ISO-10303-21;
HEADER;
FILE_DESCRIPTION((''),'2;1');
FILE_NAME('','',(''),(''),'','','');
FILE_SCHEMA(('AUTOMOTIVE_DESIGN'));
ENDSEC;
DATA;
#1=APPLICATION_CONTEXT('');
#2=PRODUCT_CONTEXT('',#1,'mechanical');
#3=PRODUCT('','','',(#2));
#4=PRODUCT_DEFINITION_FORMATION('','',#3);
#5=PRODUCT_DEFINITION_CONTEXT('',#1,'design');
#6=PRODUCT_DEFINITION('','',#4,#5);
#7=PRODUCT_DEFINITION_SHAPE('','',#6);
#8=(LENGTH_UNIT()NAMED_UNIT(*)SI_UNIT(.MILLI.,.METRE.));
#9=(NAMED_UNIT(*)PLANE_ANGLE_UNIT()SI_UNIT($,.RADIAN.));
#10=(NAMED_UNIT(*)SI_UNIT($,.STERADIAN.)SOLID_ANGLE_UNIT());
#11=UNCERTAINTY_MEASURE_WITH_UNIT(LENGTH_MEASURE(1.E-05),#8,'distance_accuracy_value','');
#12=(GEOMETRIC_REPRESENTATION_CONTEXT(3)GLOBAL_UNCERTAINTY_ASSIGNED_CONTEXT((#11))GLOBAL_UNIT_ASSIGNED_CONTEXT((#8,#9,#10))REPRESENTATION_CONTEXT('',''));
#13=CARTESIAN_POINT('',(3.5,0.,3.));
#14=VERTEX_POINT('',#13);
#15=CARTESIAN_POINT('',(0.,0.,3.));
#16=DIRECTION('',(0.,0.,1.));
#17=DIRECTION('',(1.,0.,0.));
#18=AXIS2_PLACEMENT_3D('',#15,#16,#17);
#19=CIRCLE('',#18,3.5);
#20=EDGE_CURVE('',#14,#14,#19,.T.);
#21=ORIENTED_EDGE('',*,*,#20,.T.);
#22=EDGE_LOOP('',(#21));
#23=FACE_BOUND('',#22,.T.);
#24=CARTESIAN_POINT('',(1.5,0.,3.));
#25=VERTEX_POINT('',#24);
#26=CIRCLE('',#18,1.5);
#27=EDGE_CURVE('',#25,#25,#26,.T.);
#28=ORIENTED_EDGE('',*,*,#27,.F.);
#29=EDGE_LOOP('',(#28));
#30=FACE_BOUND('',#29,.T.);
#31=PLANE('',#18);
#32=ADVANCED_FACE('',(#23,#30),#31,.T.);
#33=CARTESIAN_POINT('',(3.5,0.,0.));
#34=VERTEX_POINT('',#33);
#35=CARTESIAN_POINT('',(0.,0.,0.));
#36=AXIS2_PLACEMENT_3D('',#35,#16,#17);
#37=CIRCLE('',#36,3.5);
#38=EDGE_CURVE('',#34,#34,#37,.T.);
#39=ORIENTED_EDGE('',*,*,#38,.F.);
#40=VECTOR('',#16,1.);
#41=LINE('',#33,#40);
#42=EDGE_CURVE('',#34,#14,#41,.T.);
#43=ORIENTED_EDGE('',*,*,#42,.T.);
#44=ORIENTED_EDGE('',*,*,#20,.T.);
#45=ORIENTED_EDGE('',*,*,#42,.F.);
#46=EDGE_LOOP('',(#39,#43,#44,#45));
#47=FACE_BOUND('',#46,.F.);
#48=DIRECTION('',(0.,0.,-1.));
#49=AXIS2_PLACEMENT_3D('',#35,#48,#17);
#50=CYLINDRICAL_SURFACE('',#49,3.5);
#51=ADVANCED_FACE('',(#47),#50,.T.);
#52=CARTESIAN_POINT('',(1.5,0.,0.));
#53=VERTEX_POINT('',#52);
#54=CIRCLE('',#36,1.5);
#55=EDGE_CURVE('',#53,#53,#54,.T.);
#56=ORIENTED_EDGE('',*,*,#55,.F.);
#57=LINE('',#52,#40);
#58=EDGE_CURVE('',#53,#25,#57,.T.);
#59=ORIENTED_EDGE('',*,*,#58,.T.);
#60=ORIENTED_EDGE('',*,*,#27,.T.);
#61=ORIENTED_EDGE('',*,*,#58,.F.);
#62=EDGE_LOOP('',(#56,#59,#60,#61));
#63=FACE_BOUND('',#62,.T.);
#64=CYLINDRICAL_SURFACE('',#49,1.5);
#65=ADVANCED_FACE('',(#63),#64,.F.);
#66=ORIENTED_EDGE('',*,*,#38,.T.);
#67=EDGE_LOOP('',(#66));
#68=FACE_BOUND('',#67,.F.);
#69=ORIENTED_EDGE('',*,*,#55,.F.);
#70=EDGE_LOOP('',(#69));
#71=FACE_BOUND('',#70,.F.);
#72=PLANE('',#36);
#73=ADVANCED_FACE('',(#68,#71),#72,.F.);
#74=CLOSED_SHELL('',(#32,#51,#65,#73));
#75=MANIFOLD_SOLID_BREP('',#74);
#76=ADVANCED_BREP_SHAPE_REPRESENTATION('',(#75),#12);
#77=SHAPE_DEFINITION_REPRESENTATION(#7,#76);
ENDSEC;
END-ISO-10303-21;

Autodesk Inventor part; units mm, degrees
ref_plane "YZ Plane" through (0, 0, 0) normal (1, 0, 0) x (0, 1, 0)
ref_plane "XZ Plane" through (0, 0, 0) normal (0, 1, 0) x (-1, 0, 0)
ref_plane "XY Plane" through (0, 0, 0) normal (0, 0, 1) x (1, 0, 0)
sketch "Sketch1" plane through (0, 0, 0) normal (0, 0, 1) x (1, 0, 0)
  circle A0 centre (0, 0) radius 3.5
  circle A1 centre (0, 0) radius 1.5
  dimension "d0" = 7
  dimension "d1" = 3
extrude "Extrusion1" add sketch "Sketch1" along normal blind 3
properties part number "R002"
